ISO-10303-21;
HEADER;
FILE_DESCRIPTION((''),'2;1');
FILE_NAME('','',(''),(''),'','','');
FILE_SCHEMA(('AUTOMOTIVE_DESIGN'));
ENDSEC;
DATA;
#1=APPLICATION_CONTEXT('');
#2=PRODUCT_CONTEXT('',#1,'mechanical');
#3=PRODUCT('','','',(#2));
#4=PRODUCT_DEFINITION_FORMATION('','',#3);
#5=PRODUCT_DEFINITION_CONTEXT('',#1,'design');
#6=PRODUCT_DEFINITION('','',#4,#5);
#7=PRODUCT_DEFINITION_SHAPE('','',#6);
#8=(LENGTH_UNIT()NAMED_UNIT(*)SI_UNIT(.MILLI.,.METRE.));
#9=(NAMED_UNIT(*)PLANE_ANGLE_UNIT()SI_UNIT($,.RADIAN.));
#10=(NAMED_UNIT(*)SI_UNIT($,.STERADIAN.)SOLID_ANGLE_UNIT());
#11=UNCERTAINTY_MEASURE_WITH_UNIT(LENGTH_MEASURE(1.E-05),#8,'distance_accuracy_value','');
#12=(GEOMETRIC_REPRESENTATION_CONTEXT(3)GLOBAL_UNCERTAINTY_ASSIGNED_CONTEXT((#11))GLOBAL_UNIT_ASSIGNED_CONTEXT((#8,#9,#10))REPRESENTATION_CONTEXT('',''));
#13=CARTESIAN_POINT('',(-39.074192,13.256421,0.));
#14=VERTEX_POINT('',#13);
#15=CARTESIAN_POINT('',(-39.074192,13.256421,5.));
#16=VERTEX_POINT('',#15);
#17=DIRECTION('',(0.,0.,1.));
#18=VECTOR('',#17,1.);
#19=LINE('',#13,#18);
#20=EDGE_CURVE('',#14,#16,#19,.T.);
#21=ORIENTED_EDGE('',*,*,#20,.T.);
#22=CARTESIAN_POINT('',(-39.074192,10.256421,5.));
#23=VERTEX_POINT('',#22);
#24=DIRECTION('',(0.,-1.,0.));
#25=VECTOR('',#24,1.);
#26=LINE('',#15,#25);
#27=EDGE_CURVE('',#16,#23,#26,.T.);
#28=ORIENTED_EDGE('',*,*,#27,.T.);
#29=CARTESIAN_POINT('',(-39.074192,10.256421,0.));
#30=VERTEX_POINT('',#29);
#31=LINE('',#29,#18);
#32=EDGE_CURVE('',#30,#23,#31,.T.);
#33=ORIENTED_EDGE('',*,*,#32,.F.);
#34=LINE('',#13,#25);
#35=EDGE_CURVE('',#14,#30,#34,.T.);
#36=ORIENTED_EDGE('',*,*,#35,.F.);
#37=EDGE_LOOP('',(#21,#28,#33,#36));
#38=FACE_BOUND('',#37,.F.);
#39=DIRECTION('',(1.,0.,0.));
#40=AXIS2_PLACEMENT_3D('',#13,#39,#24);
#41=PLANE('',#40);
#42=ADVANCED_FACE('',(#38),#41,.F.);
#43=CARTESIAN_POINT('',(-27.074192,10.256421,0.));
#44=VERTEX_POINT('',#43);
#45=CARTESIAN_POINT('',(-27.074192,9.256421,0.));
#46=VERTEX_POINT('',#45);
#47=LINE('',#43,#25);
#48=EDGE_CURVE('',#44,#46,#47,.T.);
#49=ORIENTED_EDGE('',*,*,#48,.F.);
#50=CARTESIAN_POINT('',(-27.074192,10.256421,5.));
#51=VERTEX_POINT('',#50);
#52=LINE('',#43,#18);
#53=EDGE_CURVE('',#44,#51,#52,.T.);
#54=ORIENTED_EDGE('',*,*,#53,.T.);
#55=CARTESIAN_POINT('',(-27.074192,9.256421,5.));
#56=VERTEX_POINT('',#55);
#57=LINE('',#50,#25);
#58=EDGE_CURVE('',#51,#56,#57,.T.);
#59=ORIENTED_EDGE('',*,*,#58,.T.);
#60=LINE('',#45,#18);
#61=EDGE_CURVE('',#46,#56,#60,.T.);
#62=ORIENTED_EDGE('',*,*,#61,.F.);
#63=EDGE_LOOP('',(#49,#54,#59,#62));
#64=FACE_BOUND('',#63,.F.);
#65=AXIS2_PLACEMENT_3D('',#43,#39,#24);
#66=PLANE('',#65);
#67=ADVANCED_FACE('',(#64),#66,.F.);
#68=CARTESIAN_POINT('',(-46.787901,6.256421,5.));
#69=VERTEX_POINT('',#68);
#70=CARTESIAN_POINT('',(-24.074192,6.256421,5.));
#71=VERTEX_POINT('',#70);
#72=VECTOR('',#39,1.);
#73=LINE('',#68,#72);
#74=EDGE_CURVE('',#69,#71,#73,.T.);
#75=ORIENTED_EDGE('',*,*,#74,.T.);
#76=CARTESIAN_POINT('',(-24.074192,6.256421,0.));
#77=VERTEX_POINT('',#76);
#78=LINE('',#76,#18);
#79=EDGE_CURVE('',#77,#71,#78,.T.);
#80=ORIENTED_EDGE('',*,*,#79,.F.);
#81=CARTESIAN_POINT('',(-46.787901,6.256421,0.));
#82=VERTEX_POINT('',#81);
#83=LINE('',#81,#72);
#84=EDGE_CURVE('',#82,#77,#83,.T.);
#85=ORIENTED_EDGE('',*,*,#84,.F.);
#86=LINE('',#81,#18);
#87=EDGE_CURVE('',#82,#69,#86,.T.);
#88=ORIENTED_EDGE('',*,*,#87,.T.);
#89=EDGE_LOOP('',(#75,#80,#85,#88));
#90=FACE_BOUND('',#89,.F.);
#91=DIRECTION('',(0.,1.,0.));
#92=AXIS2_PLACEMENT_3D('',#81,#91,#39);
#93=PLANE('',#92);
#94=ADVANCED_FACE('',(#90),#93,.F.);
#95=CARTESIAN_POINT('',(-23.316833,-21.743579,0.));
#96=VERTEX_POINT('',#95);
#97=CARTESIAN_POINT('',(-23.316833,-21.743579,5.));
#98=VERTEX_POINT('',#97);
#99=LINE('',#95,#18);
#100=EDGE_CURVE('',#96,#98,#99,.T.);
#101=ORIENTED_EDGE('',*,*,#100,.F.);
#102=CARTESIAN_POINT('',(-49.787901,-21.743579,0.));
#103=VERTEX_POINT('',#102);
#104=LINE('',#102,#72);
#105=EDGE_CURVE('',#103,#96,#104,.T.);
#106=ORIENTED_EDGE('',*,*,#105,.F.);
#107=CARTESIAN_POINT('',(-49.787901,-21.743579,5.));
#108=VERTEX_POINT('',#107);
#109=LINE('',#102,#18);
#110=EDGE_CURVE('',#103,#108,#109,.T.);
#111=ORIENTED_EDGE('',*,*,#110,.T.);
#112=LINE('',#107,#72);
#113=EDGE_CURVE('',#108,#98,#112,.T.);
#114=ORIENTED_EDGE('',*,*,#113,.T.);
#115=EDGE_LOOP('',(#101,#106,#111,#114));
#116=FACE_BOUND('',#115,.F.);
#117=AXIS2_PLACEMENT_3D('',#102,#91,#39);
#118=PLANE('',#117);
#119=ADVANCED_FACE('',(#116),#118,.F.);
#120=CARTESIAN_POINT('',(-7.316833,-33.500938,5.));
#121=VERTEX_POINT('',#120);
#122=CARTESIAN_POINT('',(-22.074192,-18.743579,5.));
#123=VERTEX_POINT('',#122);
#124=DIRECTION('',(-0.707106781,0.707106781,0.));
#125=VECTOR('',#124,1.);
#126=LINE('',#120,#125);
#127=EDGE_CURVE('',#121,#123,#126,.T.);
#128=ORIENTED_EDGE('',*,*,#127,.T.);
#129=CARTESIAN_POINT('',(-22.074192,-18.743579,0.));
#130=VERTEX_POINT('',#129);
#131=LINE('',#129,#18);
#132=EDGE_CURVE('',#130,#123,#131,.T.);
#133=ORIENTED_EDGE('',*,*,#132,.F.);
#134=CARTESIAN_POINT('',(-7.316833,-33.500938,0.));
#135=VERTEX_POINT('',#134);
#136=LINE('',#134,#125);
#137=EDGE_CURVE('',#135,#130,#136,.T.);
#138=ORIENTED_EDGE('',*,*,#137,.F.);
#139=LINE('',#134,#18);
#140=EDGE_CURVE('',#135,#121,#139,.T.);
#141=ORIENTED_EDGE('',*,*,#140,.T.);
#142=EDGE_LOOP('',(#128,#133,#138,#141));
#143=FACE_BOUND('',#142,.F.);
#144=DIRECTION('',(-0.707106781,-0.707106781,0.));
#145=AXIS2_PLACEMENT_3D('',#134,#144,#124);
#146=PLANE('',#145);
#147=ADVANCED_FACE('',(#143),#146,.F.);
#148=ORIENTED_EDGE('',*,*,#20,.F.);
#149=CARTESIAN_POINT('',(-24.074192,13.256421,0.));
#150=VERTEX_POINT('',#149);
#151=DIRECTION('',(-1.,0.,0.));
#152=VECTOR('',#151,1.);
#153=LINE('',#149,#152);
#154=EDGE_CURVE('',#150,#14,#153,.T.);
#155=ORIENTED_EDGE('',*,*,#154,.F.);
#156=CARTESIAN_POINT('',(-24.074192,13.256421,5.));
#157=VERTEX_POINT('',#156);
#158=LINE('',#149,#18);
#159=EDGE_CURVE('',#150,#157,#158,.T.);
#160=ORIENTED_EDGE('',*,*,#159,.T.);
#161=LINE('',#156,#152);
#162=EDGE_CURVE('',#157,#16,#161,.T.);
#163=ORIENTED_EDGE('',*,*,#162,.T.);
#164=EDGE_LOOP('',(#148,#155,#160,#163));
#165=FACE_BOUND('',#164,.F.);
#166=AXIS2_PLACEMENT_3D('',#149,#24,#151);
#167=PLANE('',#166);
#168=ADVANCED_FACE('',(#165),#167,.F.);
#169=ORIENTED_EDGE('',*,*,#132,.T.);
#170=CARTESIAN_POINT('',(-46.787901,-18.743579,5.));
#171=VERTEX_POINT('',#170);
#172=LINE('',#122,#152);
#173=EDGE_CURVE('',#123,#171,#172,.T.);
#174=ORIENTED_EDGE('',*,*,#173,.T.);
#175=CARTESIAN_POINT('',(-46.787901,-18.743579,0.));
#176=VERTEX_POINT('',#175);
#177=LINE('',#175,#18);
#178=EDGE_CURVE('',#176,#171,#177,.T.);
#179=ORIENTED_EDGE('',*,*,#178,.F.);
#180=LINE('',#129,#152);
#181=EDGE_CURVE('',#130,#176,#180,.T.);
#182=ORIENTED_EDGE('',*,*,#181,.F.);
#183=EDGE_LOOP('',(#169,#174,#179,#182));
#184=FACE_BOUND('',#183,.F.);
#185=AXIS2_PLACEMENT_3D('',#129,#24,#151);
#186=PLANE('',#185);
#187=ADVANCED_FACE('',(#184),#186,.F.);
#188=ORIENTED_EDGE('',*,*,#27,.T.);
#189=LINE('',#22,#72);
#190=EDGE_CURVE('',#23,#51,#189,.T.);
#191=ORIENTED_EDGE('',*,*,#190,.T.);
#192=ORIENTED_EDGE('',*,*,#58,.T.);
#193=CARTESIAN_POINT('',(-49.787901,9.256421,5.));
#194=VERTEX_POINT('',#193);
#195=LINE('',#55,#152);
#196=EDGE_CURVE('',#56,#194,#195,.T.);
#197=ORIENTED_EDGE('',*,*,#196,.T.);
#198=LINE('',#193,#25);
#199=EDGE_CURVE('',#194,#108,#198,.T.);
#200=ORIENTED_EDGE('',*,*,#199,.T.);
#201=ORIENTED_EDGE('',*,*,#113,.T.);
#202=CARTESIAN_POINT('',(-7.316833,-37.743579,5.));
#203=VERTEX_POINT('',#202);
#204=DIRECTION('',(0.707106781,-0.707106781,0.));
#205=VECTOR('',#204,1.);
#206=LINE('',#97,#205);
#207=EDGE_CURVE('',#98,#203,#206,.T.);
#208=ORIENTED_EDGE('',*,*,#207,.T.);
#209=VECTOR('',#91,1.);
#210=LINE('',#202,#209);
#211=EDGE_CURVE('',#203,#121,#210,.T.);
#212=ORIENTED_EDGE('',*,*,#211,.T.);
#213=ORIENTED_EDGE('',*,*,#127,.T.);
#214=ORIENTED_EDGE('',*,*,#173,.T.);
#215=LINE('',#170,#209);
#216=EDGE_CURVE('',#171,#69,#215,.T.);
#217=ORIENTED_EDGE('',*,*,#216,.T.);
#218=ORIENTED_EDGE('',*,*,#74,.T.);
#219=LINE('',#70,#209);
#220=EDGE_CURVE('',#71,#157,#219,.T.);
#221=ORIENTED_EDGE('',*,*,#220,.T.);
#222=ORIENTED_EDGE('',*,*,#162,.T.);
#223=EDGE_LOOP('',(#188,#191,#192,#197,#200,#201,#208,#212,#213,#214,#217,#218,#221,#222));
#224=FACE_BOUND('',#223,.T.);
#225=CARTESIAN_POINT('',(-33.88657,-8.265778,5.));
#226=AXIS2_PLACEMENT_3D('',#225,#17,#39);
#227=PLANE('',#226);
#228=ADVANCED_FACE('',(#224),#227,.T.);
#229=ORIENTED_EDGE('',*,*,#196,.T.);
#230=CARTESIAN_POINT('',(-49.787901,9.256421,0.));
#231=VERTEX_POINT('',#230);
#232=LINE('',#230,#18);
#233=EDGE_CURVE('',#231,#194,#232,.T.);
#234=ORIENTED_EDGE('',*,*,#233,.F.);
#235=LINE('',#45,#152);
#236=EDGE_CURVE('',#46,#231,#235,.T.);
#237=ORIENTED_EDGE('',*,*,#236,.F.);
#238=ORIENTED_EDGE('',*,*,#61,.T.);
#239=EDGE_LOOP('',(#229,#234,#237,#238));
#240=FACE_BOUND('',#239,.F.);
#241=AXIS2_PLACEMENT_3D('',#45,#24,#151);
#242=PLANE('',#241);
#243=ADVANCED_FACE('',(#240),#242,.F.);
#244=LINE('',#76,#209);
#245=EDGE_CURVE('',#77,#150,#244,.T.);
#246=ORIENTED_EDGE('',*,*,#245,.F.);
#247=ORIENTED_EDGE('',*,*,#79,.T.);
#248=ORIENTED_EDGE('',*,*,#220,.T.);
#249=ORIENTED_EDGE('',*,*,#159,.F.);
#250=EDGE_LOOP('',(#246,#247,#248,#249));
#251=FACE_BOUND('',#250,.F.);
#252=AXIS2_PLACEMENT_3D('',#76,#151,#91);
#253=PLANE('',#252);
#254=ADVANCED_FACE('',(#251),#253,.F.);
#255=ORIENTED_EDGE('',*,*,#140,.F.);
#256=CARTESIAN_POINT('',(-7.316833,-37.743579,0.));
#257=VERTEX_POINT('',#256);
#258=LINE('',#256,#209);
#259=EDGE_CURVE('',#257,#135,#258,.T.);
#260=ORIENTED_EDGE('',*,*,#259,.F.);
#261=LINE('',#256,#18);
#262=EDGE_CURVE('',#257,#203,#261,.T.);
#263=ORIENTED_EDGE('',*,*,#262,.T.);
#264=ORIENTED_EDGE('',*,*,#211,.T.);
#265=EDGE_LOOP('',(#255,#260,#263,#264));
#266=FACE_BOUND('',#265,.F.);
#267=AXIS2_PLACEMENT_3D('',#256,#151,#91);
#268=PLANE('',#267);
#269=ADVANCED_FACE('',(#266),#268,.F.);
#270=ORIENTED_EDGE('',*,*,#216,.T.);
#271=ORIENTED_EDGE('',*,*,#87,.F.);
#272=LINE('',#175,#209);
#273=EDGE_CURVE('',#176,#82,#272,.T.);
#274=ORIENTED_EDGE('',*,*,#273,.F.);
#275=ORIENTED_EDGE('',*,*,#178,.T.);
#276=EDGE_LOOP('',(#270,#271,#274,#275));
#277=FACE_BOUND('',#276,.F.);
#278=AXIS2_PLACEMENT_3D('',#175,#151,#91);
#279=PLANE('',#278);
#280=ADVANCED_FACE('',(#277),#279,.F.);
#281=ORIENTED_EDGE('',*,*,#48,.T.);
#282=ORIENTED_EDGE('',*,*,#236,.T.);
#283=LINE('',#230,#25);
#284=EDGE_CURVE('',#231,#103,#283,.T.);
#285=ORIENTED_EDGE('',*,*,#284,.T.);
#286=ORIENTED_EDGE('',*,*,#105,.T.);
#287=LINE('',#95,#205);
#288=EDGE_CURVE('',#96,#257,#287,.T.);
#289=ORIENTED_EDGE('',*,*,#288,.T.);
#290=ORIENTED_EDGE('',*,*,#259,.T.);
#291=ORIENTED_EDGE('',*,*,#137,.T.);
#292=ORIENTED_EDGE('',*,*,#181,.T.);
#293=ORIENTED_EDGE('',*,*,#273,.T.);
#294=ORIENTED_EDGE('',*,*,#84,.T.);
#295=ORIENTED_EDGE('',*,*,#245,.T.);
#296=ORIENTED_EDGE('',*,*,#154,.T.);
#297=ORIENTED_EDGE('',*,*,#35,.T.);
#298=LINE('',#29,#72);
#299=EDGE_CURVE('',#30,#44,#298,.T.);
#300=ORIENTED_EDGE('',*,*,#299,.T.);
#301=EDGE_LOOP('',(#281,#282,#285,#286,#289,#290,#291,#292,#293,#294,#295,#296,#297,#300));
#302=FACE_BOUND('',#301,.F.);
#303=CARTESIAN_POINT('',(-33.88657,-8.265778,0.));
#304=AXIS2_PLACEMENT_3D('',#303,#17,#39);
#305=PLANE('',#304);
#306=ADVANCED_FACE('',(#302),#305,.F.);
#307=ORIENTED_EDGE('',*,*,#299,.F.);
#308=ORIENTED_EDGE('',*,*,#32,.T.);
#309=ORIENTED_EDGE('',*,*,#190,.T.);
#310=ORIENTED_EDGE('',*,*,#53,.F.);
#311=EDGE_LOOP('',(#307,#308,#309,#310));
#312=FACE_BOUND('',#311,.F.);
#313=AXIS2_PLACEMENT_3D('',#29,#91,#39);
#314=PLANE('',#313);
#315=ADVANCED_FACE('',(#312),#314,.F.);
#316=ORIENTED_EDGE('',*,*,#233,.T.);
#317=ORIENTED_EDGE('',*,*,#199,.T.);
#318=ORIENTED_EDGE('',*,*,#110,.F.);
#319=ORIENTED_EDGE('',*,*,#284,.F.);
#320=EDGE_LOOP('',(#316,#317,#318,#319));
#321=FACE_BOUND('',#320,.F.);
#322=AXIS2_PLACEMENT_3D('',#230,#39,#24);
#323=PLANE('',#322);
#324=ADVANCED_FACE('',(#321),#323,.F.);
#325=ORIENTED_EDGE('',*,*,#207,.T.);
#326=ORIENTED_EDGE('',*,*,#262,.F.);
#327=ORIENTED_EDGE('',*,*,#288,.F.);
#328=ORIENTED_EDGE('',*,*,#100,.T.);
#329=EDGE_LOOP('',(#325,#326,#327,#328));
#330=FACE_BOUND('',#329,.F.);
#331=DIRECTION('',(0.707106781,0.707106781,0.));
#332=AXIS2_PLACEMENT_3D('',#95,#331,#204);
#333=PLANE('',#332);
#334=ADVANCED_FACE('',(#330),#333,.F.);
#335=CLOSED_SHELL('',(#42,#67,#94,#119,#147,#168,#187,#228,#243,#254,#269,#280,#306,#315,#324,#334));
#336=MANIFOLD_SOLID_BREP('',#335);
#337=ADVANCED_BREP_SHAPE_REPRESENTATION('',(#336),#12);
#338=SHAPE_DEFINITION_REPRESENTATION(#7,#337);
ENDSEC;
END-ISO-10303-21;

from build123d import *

# Parameters (mm, degrees)
F1_DEPTH = 5


with BuildPart() as f1:
    # F0 (on Top) → F1 (new body)
    with BuildSketch(Plane.XY):
        Polygon((-24.074192, 6.256421), (-24.074192, 13.256421), (-39.074192, 13.256421), (-39.074192, 10.256421), (-27.074192, 10.256421), (-27.074192, 9.256421), (-39.074192, 9.256421), (-49.787901, 9.256421), (-49.787901, -21.743579), (-39.074192, -21.743579), (-23.316833, -21.743579), (-7.316833, -37.743579), (-7.316833, -33.500938), (-22.074192, -18.743579), (-36.074192, -18.743579), (-46.787901, -18.743579), (-46.787901, 6.256421), (-36.074192, 6.256421), align=None)
    extrude(amount=F1_DEPTH)


solid = f1.part
